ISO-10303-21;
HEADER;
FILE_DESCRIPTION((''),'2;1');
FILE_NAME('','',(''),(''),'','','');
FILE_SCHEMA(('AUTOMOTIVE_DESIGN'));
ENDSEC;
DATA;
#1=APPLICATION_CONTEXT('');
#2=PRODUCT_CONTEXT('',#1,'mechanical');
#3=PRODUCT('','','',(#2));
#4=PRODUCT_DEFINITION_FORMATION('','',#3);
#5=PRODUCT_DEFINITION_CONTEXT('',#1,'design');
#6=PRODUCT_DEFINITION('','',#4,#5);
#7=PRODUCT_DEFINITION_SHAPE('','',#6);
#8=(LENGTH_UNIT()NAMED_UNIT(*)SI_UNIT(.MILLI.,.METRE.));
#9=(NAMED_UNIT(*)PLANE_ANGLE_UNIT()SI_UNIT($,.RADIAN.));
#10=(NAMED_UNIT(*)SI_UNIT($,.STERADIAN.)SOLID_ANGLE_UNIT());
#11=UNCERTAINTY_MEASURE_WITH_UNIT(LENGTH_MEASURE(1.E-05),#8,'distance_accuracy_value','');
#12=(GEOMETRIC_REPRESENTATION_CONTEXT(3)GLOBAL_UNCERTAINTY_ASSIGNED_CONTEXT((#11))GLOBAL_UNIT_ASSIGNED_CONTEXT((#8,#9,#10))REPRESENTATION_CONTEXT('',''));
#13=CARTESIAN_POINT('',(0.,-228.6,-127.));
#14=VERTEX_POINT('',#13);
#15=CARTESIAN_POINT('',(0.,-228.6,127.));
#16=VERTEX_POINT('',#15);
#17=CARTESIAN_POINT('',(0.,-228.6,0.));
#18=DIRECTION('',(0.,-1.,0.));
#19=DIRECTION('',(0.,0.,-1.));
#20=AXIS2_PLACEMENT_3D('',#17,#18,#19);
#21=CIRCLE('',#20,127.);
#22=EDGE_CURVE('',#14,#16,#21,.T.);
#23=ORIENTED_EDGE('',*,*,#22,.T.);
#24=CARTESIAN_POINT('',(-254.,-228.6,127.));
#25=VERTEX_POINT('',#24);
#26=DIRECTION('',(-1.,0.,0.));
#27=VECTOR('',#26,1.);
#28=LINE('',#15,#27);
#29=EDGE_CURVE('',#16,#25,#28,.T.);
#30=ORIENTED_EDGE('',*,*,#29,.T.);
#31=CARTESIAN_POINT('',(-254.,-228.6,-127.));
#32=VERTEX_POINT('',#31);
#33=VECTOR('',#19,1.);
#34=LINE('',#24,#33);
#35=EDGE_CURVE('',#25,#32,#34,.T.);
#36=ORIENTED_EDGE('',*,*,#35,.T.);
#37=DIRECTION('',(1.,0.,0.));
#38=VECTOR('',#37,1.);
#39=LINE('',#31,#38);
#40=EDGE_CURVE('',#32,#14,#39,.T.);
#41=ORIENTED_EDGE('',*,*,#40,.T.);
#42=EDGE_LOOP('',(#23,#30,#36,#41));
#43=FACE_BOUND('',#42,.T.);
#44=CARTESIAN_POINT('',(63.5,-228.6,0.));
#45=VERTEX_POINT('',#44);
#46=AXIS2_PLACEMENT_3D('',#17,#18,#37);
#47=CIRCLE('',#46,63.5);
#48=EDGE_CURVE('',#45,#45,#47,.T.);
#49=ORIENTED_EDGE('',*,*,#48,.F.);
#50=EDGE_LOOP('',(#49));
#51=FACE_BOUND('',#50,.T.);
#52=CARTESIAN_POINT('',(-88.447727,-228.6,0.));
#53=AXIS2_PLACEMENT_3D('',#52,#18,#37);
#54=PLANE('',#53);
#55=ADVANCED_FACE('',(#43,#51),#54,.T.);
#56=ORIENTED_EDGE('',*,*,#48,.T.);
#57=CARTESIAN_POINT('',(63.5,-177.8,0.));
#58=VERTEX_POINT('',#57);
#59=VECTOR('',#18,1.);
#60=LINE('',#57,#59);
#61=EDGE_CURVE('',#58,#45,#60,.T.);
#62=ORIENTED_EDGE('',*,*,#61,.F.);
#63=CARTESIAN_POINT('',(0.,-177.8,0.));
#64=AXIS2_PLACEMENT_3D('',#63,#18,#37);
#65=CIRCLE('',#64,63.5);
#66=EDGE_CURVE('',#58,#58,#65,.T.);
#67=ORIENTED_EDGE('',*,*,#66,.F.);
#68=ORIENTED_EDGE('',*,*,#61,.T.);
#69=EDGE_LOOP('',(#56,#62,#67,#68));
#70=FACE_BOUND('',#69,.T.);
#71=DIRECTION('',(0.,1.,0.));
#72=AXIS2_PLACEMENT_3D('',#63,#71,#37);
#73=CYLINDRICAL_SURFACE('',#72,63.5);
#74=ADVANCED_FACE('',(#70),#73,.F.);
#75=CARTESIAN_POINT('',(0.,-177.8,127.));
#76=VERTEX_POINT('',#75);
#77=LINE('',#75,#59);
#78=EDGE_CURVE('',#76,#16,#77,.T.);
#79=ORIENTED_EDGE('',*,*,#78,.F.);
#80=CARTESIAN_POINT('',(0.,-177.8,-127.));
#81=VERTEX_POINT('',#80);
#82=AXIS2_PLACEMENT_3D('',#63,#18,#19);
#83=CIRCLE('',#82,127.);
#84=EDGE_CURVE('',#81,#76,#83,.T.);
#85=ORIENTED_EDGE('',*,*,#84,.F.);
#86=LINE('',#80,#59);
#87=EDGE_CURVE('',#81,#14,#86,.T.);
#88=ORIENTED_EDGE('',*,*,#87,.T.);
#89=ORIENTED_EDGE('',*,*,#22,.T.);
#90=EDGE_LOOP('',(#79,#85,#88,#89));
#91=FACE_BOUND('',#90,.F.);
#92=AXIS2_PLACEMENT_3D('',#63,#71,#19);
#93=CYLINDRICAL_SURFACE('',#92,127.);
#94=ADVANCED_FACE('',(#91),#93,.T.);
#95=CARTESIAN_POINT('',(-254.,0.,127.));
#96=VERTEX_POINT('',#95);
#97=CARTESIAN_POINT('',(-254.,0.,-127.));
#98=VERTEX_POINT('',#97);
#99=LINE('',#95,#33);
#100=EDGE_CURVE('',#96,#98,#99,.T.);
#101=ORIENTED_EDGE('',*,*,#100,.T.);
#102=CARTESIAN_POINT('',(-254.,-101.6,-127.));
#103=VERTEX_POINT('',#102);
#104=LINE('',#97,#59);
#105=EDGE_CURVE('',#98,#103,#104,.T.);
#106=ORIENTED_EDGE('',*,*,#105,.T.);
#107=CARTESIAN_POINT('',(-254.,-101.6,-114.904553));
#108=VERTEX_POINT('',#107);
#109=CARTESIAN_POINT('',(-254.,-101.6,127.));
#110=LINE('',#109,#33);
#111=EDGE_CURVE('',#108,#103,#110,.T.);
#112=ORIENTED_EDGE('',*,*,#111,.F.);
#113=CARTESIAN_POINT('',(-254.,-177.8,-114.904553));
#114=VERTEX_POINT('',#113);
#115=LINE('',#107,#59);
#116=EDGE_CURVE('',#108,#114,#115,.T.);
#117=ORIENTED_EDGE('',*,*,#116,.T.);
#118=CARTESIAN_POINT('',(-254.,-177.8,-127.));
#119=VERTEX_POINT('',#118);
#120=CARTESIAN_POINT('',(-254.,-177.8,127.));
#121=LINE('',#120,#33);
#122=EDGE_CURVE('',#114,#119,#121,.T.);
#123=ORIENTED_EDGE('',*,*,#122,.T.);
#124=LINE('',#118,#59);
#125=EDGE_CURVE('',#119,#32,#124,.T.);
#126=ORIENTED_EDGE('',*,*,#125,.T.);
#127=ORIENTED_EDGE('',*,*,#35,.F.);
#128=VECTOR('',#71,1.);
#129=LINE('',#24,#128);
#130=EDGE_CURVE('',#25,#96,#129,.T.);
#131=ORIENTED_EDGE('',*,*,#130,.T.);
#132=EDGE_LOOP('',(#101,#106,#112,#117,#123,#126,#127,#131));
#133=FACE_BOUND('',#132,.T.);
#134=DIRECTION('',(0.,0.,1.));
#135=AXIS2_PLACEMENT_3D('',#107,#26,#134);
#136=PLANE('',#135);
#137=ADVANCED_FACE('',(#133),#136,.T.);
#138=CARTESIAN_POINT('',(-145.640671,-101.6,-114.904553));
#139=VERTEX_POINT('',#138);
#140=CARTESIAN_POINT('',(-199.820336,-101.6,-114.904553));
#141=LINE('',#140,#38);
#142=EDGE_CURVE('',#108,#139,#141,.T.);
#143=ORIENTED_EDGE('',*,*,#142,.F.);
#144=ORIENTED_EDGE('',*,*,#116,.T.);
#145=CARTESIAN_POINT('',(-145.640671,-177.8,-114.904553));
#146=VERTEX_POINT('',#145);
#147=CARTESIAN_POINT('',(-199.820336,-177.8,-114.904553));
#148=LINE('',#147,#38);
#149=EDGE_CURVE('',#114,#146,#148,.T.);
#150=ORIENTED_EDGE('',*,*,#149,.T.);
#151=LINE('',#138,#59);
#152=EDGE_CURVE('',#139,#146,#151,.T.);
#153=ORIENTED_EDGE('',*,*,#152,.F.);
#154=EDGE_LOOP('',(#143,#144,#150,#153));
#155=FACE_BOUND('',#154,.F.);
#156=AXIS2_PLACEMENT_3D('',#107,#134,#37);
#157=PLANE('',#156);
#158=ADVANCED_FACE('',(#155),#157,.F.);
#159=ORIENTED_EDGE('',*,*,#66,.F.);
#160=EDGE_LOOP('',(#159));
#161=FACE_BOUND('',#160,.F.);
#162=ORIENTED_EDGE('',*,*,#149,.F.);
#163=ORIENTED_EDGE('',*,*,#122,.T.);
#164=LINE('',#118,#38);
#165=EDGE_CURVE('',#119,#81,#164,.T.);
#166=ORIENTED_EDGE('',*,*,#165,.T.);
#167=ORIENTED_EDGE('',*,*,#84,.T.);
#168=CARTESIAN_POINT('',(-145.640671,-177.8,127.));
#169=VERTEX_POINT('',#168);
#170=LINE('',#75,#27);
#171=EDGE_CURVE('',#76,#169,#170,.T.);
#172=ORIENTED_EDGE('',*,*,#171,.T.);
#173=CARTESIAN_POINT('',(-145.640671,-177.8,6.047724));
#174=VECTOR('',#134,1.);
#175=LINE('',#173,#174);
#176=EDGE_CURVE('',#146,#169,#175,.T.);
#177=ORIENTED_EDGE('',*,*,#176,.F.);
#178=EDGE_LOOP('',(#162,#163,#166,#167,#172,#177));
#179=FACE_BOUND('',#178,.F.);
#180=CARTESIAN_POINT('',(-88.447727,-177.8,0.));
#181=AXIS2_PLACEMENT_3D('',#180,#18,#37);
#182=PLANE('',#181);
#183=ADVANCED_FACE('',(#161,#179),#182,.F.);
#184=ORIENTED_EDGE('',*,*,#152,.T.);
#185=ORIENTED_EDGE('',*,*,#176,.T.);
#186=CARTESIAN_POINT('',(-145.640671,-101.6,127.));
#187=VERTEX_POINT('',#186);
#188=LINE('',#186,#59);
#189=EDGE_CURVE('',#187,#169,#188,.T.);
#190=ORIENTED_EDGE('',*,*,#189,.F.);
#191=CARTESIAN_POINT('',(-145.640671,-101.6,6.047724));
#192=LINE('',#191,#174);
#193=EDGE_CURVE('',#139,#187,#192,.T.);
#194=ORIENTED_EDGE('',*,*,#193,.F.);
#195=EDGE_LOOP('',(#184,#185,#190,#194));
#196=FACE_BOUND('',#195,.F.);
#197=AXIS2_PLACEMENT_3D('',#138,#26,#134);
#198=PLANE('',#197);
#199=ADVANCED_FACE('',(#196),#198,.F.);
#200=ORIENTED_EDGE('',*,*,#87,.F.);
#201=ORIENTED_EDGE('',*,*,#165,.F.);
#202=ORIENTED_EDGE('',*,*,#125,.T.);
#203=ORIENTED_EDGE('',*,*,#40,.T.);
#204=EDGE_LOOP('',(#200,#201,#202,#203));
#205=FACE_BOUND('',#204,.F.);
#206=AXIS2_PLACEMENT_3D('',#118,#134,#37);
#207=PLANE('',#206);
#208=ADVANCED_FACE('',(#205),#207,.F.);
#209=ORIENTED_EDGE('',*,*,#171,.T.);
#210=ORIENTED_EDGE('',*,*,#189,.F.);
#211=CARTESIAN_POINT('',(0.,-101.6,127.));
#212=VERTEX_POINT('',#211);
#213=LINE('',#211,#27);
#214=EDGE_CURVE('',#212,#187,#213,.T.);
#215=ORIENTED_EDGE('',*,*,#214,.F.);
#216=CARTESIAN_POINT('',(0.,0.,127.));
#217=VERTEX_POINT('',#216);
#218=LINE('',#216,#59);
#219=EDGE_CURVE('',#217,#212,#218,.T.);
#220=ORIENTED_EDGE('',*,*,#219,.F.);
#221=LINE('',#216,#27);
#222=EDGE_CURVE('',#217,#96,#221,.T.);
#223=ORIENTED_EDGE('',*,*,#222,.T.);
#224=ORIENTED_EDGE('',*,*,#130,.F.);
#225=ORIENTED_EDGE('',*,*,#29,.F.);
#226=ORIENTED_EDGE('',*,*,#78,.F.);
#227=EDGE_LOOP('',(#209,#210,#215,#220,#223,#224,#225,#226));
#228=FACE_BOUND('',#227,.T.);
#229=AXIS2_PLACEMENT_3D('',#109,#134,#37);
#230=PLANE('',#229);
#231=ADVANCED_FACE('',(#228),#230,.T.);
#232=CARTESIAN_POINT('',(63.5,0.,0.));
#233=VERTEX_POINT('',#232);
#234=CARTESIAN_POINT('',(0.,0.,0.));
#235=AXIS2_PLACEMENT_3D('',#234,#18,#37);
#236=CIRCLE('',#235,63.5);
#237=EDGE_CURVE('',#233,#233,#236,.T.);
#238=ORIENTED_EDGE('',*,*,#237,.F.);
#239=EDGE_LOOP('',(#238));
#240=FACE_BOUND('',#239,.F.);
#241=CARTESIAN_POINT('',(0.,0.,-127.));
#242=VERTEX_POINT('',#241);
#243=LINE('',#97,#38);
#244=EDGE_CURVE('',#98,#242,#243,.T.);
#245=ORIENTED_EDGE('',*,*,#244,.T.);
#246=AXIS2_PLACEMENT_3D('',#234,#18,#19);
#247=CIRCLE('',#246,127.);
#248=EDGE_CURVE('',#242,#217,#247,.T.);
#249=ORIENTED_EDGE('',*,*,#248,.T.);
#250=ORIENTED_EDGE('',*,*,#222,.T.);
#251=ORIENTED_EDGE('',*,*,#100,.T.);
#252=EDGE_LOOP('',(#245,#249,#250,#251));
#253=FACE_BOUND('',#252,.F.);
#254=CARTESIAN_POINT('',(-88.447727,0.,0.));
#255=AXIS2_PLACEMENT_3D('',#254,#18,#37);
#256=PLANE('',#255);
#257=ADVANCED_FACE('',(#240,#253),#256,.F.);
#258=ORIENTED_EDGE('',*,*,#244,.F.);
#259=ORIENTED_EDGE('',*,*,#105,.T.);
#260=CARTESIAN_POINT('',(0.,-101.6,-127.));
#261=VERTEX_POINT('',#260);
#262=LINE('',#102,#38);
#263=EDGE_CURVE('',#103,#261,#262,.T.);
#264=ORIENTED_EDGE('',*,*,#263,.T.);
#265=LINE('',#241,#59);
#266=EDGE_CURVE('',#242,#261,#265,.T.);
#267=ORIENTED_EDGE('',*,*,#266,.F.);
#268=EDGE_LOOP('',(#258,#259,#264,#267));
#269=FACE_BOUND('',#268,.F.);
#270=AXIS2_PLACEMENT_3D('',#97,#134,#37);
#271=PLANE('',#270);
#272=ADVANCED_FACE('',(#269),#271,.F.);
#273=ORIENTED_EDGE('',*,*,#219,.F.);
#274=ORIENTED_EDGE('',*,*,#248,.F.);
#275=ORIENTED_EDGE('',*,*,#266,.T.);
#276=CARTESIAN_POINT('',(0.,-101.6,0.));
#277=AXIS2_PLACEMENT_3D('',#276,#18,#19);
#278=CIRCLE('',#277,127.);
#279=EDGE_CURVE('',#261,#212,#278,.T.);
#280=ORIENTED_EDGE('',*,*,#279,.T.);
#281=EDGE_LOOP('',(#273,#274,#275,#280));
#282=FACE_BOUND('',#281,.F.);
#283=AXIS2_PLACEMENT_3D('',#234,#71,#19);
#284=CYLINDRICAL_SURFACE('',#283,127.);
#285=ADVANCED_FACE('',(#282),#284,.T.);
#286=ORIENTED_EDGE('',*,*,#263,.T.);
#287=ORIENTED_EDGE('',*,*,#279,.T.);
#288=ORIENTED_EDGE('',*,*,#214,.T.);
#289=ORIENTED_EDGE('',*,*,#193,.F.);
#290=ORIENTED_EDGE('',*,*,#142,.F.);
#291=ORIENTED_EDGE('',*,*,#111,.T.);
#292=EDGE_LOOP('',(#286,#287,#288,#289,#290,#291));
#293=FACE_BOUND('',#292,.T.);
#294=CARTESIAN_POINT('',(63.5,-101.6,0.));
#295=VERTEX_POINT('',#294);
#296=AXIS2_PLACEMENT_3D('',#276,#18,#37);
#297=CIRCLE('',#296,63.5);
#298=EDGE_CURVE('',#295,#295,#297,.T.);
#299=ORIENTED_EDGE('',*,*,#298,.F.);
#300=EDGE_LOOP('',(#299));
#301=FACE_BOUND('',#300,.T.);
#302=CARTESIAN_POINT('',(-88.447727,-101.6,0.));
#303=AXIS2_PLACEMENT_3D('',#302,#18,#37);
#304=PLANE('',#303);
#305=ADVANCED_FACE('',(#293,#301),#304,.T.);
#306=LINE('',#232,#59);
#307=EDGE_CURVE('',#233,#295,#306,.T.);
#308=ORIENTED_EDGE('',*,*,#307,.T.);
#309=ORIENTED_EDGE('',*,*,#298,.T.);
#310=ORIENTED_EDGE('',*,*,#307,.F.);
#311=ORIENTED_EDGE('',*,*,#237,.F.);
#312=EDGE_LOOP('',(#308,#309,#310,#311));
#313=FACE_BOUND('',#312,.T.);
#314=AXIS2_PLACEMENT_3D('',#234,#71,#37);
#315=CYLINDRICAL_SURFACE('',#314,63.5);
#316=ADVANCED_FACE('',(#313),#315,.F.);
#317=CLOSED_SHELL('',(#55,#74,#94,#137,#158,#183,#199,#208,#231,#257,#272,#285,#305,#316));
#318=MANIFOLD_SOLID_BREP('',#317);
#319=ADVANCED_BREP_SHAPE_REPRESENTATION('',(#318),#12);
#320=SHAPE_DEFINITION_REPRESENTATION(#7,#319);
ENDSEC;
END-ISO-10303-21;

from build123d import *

# Parameters (mm, degrees)
F0_R     = 63.5
F1_DEPTH = 101.6
F3_R     = 63.5
F4_DEPTH = 50.8
F5_W     = 108.3593287468
F5_H     = 241.9045526981
F6_DEPTH = 76.2


with BuildPart() as f1:
    # F0 (on Front) → F1 (new body)
    with BuildSketch(Plane.XZ):
        with BuildLine():
            Line((-254, -127), (0, -127))
            ThreePointArc((0, -127), (127, 0), (0, 127))
            Line((0, 127), (-254, 127))
            Line((-254, 127), (-254, -127))
        make_face()
        Circle(F0_R, mode=Mode.SUBTRACT)
    extrude(amount=F1_DEPTH)



with BuildPart() as f4:
    # F3 (on offset) → F4 (new body)
    with BuildSketch(Plane.XZ.offset(177.8)):
        with BuildLine():
            Line((0, 127), (-254, 127))
            Line((-254, 127), (-254, -127))
            Line((-254, -127), (0, -127))
            ThreePointArc((0, -127), (127, 0), (0, 127))
        make_face()
        Circle(F3_R, mode=Mode.SUBTRACT)
    extrude(amount=F4_DEPTH)


with BuildPart() as f1_1:
    add(f1.part)

    add(f4.part)  # F6 merges F4
    # F5 (on face) → F6 (join, through all)
    with BuildSketch(Plane.XZ.offset(101.6)):
        with Locations((-199.8203356266, 6.0477236509)):
            Rectangle(F5_W, F5_H)
    extrude(amount=F6_DEPTH)


solid = f1_1.part
